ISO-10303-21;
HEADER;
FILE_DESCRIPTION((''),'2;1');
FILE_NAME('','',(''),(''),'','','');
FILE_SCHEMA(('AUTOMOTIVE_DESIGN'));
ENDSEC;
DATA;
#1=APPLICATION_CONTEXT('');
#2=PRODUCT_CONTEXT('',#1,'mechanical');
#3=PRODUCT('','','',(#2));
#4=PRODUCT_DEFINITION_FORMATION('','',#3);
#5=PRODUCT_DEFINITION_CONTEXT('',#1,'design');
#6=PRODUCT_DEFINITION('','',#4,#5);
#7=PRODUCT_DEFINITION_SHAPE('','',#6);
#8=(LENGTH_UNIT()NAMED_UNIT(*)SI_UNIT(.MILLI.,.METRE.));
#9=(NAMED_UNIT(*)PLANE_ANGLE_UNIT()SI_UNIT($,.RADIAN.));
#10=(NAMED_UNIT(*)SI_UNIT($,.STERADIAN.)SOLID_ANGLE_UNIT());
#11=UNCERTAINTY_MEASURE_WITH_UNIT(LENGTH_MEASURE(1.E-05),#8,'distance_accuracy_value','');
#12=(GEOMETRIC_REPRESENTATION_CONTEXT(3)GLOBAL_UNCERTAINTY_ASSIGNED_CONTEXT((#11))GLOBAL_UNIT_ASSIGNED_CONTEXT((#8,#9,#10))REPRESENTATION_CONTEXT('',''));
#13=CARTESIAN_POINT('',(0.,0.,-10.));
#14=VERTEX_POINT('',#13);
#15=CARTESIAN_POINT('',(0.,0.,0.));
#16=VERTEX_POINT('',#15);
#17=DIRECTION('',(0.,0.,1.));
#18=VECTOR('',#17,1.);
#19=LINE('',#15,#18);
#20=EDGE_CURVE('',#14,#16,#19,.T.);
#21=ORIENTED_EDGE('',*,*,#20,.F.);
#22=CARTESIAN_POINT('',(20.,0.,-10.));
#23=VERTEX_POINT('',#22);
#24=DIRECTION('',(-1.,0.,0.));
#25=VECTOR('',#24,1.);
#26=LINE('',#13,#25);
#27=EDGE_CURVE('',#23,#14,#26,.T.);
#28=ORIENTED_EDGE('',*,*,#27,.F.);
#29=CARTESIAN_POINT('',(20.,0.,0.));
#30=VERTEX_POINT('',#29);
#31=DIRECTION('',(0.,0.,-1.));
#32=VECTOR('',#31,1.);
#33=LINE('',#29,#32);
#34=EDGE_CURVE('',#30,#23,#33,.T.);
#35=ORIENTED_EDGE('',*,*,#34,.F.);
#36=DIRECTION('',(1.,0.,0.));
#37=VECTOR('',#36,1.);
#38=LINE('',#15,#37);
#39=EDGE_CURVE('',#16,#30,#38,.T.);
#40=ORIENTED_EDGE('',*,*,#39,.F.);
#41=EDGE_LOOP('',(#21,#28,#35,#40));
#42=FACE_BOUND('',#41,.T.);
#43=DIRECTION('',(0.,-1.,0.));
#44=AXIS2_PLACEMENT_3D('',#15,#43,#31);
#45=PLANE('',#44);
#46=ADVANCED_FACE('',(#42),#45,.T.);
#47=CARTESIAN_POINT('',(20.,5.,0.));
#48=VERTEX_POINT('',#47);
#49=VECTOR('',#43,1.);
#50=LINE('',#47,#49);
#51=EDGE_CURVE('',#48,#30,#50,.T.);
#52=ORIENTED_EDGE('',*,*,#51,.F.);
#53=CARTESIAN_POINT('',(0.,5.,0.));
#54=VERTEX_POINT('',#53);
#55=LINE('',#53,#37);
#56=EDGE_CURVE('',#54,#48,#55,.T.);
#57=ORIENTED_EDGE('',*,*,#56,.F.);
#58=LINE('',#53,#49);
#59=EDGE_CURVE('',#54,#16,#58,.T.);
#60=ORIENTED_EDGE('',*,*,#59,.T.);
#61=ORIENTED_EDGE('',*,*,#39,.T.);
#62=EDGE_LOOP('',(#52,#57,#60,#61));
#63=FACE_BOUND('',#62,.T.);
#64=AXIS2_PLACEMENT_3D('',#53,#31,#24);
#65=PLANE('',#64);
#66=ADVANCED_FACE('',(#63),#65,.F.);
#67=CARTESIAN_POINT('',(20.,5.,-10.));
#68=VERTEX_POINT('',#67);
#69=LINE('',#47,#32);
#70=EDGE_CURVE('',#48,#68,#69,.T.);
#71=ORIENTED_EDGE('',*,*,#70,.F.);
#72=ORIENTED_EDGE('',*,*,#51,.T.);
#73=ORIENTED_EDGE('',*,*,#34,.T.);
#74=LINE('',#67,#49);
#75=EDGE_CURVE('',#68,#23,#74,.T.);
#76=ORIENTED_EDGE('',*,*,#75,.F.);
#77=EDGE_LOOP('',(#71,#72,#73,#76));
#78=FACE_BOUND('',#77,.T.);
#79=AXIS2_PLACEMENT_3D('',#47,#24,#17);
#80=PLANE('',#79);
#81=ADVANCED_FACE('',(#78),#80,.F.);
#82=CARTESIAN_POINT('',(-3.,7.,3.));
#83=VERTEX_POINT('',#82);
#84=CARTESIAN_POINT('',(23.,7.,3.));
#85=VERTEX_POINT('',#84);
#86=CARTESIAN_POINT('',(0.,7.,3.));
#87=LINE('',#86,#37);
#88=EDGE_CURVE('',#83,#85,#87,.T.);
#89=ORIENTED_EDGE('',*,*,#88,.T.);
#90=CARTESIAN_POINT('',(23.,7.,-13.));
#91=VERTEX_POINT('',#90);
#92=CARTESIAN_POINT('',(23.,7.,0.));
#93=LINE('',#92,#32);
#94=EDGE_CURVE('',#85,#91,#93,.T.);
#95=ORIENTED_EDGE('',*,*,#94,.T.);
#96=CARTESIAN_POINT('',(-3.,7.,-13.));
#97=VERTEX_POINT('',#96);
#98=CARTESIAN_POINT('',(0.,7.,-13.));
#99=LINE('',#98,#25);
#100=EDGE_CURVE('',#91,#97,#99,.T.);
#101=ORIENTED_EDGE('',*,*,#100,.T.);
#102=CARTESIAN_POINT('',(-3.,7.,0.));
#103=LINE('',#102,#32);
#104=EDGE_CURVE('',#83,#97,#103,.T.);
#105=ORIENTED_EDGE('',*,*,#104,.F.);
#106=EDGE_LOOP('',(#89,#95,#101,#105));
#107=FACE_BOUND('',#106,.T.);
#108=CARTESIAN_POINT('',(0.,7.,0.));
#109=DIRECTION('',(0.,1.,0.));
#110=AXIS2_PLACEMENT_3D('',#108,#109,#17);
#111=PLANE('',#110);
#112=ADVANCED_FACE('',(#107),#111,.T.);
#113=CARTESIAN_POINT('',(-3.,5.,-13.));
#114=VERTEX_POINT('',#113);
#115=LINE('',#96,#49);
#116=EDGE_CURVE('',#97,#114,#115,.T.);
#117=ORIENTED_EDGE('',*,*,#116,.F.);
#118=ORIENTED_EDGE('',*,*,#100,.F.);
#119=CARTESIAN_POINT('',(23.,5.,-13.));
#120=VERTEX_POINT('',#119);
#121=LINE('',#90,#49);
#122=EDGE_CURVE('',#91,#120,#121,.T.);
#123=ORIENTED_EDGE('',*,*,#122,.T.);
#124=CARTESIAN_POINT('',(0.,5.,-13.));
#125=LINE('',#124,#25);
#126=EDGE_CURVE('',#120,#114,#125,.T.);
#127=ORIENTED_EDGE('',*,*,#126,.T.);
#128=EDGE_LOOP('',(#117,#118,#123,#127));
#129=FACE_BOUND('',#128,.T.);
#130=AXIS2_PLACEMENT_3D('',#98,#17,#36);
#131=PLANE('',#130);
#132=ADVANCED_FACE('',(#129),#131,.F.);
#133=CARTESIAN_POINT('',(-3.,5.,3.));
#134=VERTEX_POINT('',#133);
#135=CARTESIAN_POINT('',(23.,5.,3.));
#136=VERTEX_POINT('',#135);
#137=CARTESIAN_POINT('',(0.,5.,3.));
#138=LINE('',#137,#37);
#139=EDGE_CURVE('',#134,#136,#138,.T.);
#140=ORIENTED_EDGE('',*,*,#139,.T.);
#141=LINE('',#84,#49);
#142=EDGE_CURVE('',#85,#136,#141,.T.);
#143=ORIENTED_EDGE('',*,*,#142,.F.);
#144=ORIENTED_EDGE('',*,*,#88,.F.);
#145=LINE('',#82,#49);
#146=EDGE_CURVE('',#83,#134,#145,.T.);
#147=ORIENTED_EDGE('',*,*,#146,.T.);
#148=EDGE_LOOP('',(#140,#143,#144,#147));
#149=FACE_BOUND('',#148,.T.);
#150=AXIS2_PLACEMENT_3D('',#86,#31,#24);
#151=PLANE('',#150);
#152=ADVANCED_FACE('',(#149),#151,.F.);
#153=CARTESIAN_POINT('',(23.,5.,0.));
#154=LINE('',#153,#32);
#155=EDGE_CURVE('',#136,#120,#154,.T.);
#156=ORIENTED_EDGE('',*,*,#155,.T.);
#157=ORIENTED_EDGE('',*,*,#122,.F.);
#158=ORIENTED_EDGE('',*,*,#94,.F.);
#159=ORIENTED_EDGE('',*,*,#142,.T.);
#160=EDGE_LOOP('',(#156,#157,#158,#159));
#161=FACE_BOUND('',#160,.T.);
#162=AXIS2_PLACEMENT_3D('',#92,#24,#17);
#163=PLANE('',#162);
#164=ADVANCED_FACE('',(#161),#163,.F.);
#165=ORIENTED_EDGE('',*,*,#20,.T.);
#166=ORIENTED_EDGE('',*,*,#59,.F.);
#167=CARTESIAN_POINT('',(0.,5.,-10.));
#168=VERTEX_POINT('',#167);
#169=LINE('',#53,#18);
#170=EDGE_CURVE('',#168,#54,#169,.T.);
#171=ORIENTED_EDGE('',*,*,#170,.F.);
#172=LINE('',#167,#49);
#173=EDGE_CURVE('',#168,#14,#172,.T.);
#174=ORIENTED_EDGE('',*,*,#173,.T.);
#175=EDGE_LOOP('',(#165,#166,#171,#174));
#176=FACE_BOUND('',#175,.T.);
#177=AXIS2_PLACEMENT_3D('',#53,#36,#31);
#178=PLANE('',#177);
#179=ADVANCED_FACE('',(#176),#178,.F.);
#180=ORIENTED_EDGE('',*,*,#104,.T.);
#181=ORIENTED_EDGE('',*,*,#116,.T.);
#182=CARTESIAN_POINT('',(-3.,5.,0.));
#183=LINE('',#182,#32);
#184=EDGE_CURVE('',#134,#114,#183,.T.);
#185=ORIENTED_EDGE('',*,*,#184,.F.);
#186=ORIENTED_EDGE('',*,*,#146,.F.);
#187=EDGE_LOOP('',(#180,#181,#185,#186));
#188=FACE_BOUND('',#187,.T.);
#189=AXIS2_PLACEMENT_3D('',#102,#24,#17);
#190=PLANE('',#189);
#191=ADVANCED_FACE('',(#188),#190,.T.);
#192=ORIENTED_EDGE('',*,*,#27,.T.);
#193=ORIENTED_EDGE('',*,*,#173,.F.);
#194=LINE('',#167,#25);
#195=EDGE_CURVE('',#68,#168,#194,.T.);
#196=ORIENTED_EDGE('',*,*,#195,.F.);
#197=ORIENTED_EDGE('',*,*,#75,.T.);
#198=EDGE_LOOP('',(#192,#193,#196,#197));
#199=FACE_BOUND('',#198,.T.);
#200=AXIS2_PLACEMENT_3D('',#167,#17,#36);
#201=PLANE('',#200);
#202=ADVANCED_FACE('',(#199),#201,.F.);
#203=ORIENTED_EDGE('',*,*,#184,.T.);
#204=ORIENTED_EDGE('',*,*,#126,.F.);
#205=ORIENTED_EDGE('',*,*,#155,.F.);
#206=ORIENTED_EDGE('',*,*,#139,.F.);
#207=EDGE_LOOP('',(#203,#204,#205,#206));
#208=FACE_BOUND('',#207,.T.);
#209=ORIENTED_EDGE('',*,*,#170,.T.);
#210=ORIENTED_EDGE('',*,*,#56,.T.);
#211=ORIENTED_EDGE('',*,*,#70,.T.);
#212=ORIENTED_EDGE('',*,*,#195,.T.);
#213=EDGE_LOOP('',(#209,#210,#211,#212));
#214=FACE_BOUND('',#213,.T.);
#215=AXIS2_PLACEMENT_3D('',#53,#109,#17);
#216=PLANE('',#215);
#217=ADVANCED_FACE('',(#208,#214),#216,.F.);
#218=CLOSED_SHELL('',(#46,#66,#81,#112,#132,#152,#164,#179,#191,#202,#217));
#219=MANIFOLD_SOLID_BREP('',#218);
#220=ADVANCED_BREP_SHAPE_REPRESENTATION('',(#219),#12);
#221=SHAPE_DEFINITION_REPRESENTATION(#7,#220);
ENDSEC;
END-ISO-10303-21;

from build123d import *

# Parameters (mm, degrees)
SKETCH1_W           = 20
SKETCH1_H           = 10
BOSS_EXTRUDE1_DEPTH = 5
BOSS_EXTRUDE2_DEPTH = 2


with BuildPart() as part:
    # Sketch1 → Boss-Extrude1 (new body)
    with BuildSketch(Plane(origin=(0, 0, 0), x_dir=(1, 0, 0), z_dir=(0, 1, 0))):
        with Locations((10, 5)):
            Rectangle(SKETCH1_W, SKETCH1_H)
    extrude(amount=BOSS_EXTRUDE1_DEPTH)

    # Sketch2 → Boss-Extrude2 (add)
    with BuildSketch(Plane(origin=(0, 5, 0), x_dir=(1, 0, 0), z_dir=(0, 1, 0))):
        Polygon((-3, 13), (-3, 10), (-3, -3), (23, -3), (23, 13), align=None)
    extrude(amount=BOSS_EXTRUDE2_DEPTH)


solid = part.part
